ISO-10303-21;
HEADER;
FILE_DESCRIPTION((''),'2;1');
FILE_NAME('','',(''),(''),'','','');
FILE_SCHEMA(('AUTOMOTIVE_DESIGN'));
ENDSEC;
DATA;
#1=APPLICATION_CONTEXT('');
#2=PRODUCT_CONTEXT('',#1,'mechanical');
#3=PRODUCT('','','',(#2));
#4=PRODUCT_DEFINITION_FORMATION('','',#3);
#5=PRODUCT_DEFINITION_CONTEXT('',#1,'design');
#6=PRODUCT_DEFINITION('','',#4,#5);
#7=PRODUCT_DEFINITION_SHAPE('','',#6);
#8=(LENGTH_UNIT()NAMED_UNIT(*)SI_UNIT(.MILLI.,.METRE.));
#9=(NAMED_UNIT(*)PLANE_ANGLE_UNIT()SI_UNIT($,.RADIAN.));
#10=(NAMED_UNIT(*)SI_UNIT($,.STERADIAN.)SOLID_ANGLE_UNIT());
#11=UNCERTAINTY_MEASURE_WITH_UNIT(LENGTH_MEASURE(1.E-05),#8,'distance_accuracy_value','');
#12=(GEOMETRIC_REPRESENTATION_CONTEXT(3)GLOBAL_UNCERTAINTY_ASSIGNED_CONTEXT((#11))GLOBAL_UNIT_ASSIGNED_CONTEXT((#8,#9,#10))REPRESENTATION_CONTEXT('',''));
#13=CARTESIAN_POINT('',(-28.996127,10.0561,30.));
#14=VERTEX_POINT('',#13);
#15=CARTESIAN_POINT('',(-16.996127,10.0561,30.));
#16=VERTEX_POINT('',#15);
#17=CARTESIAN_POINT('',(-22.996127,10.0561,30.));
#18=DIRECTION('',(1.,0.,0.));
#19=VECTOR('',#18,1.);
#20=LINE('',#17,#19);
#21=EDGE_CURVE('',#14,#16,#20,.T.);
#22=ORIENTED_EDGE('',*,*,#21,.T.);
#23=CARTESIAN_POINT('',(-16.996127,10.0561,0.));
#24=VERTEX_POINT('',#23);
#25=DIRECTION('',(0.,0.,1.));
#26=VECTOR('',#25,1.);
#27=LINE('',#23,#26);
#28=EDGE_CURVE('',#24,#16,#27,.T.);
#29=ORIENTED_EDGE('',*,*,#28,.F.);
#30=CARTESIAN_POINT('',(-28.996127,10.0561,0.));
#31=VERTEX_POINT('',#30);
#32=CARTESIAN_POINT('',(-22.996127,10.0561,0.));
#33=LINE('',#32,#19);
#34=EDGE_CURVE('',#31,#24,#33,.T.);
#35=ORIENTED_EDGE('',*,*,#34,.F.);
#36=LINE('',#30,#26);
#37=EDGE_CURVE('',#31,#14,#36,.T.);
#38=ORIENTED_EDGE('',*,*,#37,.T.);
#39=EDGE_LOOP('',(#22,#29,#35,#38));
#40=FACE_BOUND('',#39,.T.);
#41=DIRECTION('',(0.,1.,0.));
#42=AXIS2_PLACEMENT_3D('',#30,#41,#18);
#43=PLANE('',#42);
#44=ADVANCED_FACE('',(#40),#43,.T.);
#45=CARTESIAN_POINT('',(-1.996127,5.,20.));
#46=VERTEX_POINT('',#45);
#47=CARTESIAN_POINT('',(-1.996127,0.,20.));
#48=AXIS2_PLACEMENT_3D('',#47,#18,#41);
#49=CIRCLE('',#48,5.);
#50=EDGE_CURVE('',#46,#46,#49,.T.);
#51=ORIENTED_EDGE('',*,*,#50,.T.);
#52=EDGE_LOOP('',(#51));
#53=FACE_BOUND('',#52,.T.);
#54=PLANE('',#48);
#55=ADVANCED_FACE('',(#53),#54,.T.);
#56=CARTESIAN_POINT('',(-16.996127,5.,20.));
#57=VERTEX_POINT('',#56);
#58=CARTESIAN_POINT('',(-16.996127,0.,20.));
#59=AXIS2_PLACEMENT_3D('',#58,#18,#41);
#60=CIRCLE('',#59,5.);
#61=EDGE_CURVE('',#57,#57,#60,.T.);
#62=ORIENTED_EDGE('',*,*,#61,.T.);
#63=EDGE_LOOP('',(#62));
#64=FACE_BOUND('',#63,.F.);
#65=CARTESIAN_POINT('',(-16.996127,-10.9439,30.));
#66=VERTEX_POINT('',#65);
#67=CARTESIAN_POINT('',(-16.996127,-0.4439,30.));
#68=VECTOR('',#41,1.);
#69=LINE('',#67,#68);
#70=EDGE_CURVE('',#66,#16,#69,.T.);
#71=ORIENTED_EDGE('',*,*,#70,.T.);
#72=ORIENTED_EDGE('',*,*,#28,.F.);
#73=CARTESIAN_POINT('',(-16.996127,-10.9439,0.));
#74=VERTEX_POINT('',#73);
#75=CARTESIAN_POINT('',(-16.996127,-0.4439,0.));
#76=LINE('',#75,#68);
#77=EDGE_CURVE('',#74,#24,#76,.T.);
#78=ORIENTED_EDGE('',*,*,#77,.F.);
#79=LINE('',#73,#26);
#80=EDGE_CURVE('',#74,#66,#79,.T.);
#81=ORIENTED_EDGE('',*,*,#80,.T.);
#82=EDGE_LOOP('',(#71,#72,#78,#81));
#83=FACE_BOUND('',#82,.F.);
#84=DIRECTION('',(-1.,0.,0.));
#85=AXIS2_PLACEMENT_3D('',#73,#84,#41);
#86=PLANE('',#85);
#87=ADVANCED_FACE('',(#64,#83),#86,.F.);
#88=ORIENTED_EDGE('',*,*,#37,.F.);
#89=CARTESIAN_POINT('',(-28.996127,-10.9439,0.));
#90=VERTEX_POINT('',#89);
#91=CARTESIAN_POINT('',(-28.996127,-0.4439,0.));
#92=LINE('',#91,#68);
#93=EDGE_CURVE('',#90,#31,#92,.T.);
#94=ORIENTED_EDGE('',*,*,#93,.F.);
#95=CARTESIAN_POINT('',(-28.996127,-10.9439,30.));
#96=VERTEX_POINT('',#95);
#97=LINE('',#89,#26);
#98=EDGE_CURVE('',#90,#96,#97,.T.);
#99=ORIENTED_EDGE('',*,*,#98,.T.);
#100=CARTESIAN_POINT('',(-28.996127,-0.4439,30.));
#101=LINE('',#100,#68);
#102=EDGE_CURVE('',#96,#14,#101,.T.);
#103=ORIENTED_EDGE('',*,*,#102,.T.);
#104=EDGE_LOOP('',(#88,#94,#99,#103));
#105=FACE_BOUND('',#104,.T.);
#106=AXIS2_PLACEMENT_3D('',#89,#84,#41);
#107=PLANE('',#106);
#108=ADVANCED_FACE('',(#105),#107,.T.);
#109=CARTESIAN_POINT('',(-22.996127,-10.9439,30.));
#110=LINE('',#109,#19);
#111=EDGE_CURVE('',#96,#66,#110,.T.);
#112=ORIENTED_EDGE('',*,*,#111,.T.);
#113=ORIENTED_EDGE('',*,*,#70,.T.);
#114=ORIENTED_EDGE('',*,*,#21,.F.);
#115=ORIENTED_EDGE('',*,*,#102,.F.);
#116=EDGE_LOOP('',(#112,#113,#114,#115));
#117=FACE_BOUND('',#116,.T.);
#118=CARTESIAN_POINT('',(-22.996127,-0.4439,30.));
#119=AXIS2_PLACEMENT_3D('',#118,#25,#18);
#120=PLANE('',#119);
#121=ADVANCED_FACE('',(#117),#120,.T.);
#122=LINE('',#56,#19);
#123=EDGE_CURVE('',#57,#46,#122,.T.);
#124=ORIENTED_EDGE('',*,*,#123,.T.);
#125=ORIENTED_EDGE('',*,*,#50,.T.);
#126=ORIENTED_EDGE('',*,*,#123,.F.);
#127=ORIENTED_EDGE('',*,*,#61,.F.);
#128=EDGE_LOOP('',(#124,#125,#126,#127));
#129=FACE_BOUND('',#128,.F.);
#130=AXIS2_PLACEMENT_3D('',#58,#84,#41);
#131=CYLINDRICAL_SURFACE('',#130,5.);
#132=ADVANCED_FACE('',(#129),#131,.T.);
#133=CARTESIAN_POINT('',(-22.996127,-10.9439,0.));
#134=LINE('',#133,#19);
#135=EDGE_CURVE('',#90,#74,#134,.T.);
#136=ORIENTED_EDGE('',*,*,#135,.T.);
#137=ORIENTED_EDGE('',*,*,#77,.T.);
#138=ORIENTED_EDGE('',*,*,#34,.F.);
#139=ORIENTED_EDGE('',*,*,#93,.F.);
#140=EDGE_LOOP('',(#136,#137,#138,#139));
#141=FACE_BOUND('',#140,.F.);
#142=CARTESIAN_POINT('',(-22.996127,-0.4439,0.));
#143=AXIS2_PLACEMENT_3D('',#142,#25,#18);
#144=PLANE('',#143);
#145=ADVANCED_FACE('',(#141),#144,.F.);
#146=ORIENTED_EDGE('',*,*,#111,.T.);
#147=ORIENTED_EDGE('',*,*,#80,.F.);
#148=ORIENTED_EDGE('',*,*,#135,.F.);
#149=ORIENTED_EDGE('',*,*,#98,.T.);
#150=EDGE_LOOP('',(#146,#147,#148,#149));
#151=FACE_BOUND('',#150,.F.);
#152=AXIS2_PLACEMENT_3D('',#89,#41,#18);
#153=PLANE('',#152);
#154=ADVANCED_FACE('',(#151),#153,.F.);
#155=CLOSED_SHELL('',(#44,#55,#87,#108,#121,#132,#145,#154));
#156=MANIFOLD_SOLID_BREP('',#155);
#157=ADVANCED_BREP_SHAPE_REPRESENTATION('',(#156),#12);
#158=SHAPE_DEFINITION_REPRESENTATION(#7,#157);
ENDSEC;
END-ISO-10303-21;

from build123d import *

# Parameters (mm, degrees)
F0_W     = 12
F0_H     = 21
F1_DEPTH = 30
F2_R     = 5
F3_DEPTH = 15


with BuildPart() as f1:
    # F0 (on Top) → F1 (new body)
    with BuildSketch(Plane.XY):
        with Locations((-22.996127, -0.4439)):
            Rectangle(F0_W, F0_H)
    extrude(amount=F1_DEPTH)

    # F2 (on face) → F3 (join)
    with BuildSketch(Plane.YZ.offset(-16.996127)):
        with Locations((0, 20)):
            Circle(F2_R)
    extrude(amount=F3_DEPTH)


solid = f1.part
